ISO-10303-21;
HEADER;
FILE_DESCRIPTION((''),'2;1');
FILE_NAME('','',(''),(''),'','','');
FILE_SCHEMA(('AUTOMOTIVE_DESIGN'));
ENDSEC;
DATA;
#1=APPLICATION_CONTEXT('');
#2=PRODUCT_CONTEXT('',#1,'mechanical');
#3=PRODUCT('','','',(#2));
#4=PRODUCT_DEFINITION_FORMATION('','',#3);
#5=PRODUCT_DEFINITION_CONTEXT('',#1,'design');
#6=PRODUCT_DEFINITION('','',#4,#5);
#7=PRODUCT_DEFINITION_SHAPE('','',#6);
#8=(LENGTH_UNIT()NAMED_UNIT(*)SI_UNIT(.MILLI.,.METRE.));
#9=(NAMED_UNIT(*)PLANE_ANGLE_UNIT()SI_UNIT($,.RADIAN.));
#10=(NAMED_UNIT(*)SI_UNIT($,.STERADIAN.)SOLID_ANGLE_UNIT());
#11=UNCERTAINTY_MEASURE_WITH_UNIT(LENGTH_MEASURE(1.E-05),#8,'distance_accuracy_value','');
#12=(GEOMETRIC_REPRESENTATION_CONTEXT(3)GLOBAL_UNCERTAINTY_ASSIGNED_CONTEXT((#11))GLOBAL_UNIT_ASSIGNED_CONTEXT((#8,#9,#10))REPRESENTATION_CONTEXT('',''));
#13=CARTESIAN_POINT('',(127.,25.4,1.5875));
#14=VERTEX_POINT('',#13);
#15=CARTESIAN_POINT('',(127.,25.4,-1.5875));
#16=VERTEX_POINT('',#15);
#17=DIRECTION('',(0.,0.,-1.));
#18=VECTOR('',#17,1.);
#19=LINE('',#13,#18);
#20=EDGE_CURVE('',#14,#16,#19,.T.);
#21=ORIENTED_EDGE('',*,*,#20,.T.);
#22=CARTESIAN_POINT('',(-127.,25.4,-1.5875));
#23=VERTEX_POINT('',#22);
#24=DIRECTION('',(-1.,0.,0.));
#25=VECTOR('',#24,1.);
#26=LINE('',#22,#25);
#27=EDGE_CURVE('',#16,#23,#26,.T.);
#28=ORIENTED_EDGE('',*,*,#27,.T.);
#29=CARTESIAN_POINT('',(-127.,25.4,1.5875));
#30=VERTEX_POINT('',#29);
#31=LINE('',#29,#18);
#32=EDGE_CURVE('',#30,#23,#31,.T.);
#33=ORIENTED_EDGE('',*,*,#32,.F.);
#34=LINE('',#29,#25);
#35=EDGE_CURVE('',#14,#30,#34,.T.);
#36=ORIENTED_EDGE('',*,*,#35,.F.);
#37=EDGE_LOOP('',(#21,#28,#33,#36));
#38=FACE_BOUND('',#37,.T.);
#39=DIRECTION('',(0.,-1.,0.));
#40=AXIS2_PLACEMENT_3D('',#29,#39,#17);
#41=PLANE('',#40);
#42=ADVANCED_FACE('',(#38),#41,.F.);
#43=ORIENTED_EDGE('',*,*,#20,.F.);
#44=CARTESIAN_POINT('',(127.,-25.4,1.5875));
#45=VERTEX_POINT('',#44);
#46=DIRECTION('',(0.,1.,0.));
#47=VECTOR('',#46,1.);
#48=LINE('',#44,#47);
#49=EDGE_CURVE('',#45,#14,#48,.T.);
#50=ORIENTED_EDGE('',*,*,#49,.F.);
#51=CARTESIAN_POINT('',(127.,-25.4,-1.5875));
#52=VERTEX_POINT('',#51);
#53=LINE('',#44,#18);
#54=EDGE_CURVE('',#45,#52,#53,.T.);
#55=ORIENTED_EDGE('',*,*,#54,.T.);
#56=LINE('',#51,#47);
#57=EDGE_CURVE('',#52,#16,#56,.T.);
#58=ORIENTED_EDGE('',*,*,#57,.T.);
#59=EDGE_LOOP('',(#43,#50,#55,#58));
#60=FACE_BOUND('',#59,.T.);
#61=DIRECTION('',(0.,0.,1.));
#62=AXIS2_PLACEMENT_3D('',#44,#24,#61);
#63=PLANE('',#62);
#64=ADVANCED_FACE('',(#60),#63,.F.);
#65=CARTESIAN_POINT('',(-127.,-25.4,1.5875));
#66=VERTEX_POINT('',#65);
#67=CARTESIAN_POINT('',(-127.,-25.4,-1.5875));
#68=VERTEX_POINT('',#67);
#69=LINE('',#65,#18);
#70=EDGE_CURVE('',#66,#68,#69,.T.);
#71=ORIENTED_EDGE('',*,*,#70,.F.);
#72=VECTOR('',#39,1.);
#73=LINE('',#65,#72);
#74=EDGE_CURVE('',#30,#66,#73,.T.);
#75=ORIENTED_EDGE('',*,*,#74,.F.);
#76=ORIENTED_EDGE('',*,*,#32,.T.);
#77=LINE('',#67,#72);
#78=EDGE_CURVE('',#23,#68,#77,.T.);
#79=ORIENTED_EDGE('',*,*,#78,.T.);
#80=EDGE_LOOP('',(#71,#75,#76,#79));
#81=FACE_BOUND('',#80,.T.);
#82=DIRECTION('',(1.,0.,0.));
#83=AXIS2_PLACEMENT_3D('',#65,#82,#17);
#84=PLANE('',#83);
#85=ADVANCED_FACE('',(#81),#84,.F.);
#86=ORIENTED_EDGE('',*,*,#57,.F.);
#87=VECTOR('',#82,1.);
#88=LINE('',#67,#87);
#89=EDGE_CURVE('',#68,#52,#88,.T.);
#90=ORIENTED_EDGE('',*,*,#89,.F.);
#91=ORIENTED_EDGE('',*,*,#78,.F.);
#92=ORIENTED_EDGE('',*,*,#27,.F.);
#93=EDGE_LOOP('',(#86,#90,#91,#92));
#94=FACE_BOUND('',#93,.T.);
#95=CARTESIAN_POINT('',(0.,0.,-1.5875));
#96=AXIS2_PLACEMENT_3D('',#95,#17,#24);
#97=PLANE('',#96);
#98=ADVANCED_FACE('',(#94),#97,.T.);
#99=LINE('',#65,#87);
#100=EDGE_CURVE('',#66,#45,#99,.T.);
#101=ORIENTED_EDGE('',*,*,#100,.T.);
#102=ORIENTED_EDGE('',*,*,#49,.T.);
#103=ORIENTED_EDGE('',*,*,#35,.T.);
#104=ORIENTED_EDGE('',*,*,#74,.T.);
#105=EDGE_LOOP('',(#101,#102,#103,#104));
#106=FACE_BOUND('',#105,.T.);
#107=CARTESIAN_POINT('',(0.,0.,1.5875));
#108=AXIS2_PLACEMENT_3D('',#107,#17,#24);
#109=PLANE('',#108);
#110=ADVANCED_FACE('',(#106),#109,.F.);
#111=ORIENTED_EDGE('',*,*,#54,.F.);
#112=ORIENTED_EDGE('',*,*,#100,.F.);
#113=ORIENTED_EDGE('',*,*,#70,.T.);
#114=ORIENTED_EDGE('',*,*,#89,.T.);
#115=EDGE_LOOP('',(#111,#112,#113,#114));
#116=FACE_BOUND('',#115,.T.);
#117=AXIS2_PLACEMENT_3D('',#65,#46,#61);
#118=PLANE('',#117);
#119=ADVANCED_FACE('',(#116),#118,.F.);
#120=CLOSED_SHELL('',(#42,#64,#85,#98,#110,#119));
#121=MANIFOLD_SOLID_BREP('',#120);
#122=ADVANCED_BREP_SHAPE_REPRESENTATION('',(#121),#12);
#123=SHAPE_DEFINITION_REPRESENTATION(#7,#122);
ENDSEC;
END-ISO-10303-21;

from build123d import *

# Parameters (mm, degrees)
SKETCH1_W           = 254
SKETCH1_H           = 50.8
BOSS_EXTRUDE1_DEPTH = 1.5875


with BuildPart() as part:
    # Sketch1 → Boss-Extrude1 (new body, symmetric)
    with BuildSketch(Plane.XY):
        Rectangle(SKETCH1_W, SKETCH1_H)
    extrude(amount=BOSS_EXTRUDE1_DEPTH, both=True)


solid = part.part
